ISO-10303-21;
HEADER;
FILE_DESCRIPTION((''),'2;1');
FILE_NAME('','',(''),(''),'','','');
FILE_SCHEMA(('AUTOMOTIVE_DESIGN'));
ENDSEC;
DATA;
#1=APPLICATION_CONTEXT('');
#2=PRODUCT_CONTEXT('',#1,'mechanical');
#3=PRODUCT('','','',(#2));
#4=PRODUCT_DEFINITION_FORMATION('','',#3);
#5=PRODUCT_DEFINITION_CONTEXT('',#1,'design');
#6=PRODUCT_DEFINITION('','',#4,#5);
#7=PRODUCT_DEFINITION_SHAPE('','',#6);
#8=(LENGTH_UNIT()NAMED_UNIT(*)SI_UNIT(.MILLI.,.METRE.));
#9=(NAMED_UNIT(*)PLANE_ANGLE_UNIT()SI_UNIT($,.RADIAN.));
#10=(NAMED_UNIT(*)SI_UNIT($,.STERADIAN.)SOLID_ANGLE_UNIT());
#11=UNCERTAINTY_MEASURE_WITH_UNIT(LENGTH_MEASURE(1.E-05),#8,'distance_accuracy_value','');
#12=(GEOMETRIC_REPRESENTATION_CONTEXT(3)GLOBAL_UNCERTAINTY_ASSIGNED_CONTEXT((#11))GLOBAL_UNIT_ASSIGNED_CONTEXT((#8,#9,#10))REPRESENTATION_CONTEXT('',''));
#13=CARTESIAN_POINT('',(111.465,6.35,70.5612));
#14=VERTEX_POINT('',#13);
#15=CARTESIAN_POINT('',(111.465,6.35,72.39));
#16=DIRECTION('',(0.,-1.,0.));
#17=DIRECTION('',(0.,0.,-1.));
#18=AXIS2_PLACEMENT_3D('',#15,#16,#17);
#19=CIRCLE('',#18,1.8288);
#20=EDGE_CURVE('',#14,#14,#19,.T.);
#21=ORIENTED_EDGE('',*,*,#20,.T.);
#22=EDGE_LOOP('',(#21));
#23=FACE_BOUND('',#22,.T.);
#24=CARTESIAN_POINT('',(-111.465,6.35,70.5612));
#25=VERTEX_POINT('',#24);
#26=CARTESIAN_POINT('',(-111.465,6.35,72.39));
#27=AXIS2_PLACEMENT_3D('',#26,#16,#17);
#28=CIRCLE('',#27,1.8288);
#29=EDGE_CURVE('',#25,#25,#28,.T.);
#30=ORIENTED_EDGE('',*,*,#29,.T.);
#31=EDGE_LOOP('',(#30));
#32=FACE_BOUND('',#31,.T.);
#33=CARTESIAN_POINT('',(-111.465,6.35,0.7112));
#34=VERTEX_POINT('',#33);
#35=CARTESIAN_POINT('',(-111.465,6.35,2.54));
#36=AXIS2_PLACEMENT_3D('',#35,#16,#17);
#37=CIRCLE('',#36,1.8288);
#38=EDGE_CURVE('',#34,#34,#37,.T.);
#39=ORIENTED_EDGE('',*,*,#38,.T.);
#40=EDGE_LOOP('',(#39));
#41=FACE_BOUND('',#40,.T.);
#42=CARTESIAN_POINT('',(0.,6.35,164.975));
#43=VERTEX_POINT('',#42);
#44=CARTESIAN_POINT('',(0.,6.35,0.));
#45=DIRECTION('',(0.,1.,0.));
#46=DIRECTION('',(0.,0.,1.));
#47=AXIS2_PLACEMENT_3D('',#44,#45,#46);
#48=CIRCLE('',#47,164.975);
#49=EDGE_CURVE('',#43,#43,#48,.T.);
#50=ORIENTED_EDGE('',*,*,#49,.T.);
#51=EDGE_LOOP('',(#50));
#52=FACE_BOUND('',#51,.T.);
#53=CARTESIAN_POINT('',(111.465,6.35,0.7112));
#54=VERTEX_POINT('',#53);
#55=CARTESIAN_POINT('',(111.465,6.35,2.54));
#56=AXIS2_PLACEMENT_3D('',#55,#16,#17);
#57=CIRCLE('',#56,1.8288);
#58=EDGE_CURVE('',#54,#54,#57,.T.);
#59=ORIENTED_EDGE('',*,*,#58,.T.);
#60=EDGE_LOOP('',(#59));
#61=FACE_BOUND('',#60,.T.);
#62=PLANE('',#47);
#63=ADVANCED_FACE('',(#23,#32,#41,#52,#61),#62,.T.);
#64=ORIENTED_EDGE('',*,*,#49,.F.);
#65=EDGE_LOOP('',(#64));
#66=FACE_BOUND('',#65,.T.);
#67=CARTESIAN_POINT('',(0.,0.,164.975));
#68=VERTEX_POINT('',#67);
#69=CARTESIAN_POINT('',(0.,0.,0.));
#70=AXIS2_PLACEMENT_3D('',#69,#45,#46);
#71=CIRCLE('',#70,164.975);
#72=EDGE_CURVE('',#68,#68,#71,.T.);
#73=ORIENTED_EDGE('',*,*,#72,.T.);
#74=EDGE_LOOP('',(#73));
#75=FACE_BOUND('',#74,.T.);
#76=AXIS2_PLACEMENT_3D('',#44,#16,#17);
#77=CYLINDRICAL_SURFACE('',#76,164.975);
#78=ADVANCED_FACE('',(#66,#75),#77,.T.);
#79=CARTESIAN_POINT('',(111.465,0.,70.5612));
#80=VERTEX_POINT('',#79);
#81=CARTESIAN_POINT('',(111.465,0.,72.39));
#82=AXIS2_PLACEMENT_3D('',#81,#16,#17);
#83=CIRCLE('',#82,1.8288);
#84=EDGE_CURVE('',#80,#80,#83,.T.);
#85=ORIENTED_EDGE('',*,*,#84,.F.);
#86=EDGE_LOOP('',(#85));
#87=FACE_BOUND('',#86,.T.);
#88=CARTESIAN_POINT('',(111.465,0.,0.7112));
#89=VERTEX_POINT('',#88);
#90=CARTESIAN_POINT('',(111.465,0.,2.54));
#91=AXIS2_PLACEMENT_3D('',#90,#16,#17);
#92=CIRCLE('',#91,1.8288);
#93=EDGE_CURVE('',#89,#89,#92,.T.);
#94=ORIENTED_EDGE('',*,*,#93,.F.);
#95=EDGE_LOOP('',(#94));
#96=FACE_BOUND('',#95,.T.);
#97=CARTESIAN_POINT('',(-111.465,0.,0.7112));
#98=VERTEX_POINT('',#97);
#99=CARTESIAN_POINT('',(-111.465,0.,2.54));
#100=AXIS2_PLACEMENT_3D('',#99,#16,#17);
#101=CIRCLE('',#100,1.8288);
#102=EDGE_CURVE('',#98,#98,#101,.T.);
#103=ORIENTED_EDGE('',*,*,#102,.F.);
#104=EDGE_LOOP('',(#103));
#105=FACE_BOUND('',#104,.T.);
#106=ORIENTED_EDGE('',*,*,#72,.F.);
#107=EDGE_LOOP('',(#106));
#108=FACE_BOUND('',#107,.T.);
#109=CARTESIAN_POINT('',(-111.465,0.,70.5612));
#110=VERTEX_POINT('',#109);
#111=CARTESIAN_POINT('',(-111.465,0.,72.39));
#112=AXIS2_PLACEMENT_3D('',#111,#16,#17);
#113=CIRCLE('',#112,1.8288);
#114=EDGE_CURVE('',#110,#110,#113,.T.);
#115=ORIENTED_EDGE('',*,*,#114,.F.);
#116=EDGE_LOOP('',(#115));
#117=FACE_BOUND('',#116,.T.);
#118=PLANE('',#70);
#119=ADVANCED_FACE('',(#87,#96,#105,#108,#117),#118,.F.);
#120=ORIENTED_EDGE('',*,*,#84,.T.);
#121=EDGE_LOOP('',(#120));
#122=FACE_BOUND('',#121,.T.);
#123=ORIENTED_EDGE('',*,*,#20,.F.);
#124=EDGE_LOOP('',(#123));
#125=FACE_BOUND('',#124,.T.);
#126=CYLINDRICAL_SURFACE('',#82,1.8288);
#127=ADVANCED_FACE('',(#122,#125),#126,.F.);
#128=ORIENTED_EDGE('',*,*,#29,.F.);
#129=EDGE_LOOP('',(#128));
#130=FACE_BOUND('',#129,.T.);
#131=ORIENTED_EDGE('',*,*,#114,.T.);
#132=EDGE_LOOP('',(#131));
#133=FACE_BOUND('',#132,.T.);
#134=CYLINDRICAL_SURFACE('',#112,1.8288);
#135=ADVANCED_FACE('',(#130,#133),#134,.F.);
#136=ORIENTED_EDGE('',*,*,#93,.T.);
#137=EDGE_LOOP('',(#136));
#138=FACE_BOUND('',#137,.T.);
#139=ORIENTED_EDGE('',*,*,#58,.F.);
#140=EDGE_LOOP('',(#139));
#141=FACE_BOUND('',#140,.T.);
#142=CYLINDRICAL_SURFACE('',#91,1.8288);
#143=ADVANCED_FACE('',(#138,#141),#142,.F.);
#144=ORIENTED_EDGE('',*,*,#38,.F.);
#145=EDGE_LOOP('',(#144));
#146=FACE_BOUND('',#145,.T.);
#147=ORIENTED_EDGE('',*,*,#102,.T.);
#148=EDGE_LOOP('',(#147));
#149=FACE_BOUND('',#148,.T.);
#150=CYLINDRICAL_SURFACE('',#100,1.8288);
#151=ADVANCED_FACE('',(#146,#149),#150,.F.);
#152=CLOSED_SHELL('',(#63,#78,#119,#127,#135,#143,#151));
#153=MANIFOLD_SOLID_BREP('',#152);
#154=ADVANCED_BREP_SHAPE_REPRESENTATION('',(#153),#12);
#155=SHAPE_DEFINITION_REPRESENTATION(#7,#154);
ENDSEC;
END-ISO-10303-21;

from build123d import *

# Parameters (mm, degrees)
SKETCH1_R             = 164.975
BOSS_EXTRUDE1_DEPTH   = 6.35
F_6_CLEARANCE_HOLE1_D = 3.6576


with BuildPart() as part:
    # Sketch1 → Boss-Extrude1 (new body)
    with BuildSketch(Plane(origin=(0, 0, 0), x_dir=(1, 0, 0), z_dir=(0, 1, 0))):
        with Locations(Location((0, 0, 0), (0, 0, 270))):
            Circle(SKETCH1_R)
    extrude(amount=BOSS_EXTRUDE1_DEPTH)

    # #6 Clearance Hole1 (through all)
    with Locations(Plane(origin=(111.465, 0, 2.54), x_dir=(0, 0, -1), z_dir=(0, -1, 0))):
        with Locations((0, 0), (-69.85, 0), (-69.85, -222.93), (0, -222.93)):
            Hole(F_6_CLEARANCE_HOLE1_D / 2)


solid = part.part
